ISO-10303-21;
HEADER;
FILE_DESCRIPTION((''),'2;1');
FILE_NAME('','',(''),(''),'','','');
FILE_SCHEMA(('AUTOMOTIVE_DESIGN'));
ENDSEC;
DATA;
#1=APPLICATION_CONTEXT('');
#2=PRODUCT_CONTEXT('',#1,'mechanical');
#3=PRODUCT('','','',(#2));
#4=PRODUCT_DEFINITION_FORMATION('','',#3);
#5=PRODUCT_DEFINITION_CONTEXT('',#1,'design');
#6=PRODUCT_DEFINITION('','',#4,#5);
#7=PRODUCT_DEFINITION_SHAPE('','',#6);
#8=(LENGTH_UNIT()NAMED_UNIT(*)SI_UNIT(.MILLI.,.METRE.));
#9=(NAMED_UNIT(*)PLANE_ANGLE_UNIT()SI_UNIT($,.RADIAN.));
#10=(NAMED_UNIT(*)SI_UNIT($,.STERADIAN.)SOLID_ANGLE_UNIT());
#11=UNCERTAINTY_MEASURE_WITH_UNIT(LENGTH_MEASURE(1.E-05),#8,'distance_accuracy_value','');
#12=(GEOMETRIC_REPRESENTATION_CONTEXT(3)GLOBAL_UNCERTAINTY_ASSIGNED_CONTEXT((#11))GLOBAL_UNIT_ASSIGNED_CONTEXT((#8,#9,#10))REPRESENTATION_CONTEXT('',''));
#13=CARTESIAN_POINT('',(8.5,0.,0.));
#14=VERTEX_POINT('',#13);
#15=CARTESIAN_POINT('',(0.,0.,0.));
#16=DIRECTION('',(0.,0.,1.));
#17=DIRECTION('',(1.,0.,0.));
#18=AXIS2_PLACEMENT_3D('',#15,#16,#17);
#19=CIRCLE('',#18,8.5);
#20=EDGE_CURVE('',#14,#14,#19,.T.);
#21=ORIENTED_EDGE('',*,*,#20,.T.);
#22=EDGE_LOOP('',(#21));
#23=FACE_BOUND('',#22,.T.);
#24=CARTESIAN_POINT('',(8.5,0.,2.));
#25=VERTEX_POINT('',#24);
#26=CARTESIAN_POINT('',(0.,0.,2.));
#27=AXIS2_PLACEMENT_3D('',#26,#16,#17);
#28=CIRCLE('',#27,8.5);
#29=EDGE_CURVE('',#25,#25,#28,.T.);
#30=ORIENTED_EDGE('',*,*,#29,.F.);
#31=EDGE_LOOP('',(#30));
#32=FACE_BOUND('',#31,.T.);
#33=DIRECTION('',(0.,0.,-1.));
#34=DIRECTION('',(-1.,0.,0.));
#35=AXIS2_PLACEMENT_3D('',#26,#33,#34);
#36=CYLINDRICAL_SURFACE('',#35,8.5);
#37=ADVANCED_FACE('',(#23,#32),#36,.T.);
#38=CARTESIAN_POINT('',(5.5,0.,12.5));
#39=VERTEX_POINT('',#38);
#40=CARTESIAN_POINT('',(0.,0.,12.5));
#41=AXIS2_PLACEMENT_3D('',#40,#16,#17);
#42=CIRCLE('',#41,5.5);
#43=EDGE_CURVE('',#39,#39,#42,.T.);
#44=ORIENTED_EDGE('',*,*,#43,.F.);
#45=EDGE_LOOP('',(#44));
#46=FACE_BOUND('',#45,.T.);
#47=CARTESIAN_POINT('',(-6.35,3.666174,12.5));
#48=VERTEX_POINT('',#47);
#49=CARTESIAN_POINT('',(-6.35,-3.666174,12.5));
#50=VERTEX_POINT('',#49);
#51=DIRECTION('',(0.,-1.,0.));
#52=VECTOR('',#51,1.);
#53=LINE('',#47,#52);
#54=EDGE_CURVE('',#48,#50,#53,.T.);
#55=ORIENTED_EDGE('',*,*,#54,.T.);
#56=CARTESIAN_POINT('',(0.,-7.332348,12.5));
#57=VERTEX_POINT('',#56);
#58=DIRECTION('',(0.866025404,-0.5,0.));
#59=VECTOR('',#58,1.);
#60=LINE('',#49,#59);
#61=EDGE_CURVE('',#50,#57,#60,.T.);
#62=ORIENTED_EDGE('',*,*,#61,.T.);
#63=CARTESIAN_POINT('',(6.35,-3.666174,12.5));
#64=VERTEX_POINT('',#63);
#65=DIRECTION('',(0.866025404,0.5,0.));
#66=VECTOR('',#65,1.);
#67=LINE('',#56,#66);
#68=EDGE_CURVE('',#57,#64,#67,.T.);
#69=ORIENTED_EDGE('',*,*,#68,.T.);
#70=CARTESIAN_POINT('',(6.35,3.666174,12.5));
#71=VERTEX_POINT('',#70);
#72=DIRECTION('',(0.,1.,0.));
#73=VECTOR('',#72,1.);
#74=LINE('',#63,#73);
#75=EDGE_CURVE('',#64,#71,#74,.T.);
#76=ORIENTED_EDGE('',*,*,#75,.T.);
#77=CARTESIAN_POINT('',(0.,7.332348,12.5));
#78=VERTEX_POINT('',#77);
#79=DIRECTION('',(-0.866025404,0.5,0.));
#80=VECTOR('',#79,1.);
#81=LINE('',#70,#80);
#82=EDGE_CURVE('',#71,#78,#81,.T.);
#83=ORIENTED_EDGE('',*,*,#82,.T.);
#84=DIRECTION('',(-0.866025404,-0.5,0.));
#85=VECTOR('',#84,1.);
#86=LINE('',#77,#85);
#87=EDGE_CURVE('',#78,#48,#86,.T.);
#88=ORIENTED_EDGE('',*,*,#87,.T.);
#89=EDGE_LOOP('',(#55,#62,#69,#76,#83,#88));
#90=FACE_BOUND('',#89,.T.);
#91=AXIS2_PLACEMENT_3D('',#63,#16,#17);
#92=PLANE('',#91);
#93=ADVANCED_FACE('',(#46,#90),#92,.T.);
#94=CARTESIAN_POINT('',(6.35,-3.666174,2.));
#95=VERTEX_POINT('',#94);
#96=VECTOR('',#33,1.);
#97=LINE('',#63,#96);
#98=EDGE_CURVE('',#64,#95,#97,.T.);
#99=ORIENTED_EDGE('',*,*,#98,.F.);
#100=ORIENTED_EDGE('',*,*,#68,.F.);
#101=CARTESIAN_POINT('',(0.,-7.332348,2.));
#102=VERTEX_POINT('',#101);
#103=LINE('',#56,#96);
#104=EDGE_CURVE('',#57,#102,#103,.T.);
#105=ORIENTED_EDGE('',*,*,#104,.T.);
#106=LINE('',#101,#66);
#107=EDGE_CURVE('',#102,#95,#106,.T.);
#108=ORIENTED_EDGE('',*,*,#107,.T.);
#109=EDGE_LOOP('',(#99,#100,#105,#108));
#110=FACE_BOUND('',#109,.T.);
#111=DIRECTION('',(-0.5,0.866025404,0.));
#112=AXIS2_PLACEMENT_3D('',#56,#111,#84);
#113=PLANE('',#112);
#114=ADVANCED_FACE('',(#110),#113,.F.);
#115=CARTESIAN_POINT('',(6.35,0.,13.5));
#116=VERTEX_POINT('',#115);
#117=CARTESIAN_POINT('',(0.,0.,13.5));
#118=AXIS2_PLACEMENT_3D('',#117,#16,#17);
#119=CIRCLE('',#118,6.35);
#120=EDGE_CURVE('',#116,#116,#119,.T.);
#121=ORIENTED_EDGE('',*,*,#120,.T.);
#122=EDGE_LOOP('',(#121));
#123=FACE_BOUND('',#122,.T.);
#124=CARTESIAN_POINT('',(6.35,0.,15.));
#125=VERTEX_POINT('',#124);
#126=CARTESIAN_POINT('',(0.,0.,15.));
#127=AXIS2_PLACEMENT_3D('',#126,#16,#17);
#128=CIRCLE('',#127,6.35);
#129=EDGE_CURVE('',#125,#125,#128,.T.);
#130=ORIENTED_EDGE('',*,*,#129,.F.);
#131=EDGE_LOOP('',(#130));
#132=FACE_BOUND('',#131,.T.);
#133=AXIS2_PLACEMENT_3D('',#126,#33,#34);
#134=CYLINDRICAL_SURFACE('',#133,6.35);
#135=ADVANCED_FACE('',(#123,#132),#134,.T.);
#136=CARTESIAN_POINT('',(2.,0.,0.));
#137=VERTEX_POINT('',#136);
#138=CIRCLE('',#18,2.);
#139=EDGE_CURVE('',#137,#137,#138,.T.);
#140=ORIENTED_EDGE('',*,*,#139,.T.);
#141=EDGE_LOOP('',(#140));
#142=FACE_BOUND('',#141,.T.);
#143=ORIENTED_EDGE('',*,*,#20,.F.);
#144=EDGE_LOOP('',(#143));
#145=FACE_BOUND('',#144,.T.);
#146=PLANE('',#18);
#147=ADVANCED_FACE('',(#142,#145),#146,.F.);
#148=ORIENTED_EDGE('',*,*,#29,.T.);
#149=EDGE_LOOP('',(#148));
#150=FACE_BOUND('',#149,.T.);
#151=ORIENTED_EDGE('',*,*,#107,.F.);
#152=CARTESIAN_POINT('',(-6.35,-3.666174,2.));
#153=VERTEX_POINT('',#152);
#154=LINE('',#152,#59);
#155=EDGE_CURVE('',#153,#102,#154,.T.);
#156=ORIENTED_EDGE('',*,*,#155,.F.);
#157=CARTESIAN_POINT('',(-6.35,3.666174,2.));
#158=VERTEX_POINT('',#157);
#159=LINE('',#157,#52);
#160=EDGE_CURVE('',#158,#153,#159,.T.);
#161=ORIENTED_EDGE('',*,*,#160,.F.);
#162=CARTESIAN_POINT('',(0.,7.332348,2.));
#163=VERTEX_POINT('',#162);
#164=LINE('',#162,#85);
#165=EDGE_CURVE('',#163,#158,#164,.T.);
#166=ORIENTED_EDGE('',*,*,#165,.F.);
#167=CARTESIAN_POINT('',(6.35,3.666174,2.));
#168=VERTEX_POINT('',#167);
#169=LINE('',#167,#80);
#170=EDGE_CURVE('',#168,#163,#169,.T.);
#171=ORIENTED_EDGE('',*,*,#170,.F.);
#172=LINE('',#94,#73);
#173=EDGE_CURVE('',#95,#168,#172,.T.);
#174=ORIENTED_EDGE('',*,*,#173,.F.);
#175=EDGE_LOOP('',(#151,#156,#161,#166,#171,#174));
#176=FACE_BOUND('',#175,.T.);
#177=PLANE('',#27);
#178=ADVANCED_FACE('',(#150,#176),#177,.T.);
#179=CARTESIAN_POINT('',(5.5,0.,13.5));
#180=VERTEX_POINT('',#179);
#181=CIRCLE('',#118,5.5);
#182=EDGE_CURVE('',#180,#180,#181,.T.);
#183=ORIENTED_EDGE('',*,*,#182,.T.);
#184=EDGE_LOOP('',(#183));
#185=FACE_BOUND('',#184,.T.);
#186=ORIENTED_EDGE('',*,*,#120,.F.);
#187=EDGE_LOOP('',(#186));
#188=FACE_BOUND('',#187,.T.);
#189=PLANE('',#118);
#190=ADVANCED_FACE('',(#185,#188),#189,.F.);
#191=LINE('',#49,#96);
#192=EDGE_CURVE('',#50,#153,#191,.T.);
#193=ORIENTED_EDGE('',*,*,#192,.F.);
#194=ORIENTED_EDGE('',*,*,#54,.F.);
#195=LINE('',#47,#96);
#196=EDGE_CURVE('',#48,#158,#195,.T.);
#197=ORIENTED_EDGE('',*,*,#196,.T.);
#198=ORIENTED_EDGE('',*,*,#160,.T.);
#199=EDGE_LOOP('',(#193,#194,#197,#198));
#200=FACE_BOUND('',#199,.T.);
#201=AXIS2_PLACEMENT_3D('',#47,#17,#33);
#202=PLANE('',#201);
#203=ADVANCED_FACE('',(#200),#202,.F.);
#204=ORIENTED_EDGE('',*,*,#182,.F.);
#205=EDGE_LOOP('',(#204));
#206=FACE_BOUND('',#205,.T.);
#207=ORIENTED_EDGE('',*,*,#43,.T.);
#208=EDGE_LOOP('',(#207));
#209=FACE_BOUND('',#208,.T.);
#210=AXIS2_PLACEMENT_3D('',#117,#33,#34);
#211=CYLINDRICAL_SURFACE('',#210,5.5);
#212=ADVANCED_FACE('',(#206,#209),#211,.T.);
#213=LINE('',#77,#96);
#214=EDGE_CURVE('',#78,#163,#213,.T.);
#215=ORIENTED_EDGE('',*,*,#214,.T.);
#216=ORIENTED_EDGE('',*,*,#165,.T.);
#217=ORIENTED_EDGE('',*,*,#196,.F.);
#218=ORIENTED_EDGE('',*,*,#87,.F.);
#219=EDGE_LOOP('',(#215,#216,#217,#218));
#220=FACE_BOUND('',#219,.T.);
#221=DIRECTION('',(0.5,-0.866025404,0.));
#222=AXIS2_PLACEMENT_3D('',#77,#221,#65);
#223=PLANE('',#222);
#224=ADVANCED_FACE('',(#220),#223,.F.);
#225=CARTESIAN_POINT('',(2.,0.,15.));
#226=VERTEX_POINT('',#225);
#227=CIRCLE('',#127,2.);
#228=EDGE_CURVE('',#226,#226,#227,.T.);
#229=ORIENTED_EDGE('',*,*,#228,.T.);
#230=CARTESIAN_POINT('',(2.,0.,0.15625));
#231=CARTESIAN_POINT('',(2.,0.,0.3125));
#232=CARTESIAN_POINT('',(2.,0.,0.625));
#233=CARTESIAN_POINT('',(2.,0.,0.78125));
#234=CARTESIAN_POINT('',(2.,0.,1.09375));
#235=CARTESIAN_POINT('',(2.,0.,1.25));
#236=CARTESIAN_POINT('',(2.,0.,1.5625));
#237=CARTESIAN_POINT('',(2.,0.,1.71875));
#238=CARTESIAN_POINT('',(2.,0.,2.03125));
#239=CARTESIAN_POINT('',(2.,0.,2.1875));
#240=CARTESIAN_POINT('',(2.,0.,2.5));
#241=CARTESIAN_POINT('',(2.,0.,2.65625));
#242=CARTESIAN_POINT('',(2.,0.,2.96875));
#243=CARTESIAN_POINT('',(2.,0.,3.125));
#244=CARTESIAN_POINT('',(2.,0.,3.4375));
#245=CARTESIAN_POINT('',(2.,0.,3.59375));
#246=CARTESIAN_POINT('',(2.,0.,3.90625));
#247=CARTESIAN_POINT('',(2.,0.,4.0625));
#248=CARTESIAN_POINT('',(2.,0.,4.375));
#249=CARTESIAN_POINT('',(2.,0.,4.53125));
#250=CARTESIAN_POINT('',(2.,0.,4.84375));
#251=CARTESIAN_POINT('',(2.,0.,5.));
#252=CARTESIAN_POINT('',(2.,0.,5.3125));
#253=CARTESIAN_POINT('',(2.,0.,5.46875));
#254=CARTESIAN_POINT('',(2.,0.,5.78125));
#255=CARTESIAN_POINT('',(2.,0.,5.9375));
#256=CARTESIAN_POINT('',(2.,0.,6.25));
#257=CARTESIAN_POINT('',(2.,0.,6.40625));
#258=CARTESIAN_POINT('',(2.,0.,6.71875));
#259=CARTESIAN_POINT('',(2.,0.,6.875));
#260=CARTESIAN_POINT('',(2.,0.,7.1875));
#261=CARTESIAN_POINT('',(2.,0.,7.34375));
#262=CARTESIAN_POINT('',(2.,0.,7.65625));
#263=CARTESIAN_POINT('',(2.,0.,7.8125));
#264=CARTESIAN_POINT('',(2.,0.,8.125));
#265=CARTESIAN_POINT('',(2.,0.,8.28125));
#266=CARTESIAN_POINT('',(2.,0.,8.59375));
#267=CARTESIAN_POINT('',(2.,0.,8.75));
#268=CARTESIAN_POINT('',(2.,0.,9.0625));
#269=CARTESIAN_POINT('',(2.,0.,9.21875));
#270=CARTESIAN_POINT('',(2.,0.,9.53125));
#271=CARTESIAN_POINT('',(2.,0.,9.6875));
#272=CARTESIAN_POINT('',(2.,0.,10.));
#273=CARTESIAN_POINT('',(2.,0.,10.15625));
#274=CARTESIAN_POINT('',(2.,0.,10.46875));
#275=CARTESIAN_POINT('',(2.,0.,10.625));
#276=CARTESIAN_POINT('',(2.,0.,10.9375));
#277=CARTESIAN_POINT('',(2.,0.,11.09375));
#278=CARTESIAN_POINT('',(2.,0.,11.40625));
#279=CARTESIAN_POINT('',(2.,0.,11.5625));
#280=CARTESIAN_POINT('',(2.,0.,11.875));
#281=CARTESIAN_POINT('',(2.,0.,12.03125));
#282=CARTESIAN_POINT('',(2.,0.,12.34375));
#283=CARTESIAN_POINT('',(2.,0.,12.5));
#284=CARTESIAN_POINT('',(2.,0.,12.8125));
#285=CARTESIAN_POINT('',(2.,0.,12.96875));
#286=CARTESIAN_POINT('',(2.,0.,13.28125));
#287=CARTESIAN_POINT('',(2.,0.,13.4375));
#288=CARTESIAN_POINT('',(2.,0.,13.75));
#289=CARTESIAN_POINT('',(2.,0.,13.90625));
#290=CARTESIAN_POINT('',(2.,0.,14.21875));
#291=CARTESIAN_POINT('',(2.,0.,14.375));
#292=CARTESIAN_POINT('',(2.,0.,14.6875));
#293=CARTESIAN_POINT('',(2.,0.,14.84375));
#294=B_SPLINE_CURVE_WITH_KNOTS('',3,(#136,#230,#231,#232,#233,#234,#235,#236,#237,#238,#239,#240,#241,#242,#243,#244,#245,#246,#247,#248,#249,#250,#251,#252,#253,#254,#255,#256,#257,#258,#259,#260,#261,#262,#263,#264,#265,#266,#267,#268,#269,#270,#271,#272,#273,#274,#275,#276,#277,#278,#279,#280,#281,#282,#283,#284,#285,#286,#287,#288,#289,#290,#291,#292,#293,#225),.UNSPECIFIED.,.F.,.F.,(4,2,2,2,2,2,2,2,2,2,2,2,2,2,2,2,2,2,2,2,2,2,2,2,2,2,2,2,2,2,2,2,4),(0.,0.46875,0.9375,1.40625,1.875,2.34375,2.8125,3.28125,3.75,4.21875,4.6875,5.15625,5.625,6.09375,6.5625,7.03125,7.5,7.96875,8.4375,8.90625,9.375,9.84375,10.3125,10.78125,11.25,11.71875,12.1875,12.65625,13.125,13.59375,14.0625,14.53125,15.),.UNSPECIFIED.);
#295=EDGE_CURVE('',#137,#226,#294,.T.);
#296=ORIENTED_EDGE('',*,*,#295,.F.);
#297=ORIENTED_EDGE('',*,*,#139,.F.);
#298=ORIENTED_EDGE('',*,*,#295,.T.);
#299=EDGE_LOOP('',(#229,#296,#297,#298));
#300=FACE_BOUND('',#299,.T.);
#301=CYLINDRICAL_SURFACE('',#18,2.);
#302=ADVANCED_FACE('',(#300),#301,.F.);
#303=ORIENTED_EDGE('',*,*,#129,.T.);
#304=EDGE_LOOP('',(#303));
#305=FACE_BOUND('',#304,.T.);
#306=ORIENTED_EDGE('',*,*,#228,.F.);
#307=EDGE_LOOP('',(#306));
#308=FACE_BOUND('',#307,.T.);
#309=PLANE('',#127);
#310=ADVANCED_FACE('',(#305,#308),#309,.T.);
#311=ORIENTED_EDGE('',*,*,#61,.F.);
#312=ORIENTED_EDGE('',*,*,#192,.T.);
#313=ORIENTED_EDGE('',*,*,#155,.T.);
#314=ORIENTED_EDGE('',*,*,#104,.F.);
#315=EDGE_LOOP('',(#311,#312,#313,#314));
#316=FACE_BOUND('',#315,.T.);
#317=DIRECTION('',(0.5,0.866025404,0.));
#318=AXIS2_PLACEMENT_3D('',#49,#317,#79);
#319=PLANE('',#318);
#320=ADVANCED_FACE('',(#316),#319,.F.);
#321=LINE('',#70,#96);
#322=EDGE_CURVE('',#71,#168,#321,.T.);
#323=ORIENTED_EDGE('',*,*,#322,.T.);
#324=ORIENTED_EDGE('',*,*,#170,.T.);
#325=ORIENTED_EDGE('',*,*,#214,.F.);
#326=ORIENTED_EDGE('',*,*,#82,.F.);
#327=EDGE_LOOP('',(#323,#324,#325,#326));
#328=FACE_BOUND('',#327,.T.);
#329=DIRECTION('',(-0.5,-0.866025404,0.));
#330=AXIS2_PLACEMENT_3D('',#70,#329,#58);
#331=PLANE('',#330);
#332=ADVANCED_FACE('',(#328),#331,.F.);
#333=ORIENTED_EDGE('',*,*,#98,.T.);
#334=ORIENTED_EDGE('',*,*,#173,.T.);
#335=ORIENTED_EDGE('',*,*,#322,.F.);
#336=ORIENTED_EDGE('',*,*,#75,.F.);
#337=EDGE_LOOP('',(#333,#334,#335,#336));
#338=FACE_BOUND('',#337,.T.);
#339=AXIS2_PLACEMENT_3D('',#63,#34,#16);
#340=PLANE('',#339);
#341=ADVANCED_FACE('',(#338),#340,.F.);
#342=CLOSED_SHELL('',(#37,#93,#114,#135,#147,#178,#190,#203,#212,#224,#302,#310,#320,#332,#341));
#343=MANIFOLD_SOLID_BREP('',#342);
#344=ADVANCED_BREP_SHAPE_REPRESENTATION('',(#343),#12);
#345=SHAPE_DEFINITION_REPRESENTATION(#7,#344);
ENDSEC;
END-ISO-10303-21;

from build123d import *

# Parameters (mm, degrees)
ESQUISSE1_R             = 8.5
BOSS_EXTRU_1_DEPTH      = 2
BOSS_EXTRU_2_DEPTH      = 10.5
ESQUISSE3_R             = 5.5
BOSS_EXTRU_3_DEPTH      = 1
ESQUISSE4_R             = 6.35
BOSS_EXTRU_4_DEPTH      = 1.5
ESQUISSE5_R             = 2
ENL_V_MAT_EXTRU_1_DEPTH = 20.222382787


with BuildPart() as part:
    # Esquisse1 → Boss.-Extru.1 (new body)
    with BuildSketch(Plane.XY):
        Circle(ESQUISSE1_R)
    extrude(amount=BOSS_EXTRU_1_DEPTH)

    # Esquisse2 → Boss.-Extru.2 (add)
    with BuildSketch(Plane.XY.offset(2)):
        Polygon((6.35, -3.666174209), (6.35, 3.666174209), (0, 7.332348419), (-6.35, 3.666174209), (-6.35, -3.666174209), (0, -7.332348419), align=None)
    extrude(amount=BOSS_EXTRU_2_DEPTH)

    # Esquisse3 → Boss.-Extru.3 (add)
    with BuildSketch(Plane.XY.offset(12.5)):
        Circle(ESQUISSE3_R)
    extrude(amount=BOSS_EXTRU_3_DEPTH)

    # Esquisse4 → Boss.-Extru.4 (add)
    with BuildSketch(Plane.XY.offset(13.5)):
        Circle(ESQUISSE4_R)
    extrude(amount=BOSS_EXTRU_4_DEPTH)

    # Esquisse5 → Enlèv. mat.-Extru.1 (cut, through all)
    with BuildSketch(Plane.XY.offset(15)):
        Circle(ESQUISSE5_R)
    extrude(amount=-ENL_V_MAT_EXTRU_1_DEPTH, mode=Mode.SUBTRACT)


solid = part.part
